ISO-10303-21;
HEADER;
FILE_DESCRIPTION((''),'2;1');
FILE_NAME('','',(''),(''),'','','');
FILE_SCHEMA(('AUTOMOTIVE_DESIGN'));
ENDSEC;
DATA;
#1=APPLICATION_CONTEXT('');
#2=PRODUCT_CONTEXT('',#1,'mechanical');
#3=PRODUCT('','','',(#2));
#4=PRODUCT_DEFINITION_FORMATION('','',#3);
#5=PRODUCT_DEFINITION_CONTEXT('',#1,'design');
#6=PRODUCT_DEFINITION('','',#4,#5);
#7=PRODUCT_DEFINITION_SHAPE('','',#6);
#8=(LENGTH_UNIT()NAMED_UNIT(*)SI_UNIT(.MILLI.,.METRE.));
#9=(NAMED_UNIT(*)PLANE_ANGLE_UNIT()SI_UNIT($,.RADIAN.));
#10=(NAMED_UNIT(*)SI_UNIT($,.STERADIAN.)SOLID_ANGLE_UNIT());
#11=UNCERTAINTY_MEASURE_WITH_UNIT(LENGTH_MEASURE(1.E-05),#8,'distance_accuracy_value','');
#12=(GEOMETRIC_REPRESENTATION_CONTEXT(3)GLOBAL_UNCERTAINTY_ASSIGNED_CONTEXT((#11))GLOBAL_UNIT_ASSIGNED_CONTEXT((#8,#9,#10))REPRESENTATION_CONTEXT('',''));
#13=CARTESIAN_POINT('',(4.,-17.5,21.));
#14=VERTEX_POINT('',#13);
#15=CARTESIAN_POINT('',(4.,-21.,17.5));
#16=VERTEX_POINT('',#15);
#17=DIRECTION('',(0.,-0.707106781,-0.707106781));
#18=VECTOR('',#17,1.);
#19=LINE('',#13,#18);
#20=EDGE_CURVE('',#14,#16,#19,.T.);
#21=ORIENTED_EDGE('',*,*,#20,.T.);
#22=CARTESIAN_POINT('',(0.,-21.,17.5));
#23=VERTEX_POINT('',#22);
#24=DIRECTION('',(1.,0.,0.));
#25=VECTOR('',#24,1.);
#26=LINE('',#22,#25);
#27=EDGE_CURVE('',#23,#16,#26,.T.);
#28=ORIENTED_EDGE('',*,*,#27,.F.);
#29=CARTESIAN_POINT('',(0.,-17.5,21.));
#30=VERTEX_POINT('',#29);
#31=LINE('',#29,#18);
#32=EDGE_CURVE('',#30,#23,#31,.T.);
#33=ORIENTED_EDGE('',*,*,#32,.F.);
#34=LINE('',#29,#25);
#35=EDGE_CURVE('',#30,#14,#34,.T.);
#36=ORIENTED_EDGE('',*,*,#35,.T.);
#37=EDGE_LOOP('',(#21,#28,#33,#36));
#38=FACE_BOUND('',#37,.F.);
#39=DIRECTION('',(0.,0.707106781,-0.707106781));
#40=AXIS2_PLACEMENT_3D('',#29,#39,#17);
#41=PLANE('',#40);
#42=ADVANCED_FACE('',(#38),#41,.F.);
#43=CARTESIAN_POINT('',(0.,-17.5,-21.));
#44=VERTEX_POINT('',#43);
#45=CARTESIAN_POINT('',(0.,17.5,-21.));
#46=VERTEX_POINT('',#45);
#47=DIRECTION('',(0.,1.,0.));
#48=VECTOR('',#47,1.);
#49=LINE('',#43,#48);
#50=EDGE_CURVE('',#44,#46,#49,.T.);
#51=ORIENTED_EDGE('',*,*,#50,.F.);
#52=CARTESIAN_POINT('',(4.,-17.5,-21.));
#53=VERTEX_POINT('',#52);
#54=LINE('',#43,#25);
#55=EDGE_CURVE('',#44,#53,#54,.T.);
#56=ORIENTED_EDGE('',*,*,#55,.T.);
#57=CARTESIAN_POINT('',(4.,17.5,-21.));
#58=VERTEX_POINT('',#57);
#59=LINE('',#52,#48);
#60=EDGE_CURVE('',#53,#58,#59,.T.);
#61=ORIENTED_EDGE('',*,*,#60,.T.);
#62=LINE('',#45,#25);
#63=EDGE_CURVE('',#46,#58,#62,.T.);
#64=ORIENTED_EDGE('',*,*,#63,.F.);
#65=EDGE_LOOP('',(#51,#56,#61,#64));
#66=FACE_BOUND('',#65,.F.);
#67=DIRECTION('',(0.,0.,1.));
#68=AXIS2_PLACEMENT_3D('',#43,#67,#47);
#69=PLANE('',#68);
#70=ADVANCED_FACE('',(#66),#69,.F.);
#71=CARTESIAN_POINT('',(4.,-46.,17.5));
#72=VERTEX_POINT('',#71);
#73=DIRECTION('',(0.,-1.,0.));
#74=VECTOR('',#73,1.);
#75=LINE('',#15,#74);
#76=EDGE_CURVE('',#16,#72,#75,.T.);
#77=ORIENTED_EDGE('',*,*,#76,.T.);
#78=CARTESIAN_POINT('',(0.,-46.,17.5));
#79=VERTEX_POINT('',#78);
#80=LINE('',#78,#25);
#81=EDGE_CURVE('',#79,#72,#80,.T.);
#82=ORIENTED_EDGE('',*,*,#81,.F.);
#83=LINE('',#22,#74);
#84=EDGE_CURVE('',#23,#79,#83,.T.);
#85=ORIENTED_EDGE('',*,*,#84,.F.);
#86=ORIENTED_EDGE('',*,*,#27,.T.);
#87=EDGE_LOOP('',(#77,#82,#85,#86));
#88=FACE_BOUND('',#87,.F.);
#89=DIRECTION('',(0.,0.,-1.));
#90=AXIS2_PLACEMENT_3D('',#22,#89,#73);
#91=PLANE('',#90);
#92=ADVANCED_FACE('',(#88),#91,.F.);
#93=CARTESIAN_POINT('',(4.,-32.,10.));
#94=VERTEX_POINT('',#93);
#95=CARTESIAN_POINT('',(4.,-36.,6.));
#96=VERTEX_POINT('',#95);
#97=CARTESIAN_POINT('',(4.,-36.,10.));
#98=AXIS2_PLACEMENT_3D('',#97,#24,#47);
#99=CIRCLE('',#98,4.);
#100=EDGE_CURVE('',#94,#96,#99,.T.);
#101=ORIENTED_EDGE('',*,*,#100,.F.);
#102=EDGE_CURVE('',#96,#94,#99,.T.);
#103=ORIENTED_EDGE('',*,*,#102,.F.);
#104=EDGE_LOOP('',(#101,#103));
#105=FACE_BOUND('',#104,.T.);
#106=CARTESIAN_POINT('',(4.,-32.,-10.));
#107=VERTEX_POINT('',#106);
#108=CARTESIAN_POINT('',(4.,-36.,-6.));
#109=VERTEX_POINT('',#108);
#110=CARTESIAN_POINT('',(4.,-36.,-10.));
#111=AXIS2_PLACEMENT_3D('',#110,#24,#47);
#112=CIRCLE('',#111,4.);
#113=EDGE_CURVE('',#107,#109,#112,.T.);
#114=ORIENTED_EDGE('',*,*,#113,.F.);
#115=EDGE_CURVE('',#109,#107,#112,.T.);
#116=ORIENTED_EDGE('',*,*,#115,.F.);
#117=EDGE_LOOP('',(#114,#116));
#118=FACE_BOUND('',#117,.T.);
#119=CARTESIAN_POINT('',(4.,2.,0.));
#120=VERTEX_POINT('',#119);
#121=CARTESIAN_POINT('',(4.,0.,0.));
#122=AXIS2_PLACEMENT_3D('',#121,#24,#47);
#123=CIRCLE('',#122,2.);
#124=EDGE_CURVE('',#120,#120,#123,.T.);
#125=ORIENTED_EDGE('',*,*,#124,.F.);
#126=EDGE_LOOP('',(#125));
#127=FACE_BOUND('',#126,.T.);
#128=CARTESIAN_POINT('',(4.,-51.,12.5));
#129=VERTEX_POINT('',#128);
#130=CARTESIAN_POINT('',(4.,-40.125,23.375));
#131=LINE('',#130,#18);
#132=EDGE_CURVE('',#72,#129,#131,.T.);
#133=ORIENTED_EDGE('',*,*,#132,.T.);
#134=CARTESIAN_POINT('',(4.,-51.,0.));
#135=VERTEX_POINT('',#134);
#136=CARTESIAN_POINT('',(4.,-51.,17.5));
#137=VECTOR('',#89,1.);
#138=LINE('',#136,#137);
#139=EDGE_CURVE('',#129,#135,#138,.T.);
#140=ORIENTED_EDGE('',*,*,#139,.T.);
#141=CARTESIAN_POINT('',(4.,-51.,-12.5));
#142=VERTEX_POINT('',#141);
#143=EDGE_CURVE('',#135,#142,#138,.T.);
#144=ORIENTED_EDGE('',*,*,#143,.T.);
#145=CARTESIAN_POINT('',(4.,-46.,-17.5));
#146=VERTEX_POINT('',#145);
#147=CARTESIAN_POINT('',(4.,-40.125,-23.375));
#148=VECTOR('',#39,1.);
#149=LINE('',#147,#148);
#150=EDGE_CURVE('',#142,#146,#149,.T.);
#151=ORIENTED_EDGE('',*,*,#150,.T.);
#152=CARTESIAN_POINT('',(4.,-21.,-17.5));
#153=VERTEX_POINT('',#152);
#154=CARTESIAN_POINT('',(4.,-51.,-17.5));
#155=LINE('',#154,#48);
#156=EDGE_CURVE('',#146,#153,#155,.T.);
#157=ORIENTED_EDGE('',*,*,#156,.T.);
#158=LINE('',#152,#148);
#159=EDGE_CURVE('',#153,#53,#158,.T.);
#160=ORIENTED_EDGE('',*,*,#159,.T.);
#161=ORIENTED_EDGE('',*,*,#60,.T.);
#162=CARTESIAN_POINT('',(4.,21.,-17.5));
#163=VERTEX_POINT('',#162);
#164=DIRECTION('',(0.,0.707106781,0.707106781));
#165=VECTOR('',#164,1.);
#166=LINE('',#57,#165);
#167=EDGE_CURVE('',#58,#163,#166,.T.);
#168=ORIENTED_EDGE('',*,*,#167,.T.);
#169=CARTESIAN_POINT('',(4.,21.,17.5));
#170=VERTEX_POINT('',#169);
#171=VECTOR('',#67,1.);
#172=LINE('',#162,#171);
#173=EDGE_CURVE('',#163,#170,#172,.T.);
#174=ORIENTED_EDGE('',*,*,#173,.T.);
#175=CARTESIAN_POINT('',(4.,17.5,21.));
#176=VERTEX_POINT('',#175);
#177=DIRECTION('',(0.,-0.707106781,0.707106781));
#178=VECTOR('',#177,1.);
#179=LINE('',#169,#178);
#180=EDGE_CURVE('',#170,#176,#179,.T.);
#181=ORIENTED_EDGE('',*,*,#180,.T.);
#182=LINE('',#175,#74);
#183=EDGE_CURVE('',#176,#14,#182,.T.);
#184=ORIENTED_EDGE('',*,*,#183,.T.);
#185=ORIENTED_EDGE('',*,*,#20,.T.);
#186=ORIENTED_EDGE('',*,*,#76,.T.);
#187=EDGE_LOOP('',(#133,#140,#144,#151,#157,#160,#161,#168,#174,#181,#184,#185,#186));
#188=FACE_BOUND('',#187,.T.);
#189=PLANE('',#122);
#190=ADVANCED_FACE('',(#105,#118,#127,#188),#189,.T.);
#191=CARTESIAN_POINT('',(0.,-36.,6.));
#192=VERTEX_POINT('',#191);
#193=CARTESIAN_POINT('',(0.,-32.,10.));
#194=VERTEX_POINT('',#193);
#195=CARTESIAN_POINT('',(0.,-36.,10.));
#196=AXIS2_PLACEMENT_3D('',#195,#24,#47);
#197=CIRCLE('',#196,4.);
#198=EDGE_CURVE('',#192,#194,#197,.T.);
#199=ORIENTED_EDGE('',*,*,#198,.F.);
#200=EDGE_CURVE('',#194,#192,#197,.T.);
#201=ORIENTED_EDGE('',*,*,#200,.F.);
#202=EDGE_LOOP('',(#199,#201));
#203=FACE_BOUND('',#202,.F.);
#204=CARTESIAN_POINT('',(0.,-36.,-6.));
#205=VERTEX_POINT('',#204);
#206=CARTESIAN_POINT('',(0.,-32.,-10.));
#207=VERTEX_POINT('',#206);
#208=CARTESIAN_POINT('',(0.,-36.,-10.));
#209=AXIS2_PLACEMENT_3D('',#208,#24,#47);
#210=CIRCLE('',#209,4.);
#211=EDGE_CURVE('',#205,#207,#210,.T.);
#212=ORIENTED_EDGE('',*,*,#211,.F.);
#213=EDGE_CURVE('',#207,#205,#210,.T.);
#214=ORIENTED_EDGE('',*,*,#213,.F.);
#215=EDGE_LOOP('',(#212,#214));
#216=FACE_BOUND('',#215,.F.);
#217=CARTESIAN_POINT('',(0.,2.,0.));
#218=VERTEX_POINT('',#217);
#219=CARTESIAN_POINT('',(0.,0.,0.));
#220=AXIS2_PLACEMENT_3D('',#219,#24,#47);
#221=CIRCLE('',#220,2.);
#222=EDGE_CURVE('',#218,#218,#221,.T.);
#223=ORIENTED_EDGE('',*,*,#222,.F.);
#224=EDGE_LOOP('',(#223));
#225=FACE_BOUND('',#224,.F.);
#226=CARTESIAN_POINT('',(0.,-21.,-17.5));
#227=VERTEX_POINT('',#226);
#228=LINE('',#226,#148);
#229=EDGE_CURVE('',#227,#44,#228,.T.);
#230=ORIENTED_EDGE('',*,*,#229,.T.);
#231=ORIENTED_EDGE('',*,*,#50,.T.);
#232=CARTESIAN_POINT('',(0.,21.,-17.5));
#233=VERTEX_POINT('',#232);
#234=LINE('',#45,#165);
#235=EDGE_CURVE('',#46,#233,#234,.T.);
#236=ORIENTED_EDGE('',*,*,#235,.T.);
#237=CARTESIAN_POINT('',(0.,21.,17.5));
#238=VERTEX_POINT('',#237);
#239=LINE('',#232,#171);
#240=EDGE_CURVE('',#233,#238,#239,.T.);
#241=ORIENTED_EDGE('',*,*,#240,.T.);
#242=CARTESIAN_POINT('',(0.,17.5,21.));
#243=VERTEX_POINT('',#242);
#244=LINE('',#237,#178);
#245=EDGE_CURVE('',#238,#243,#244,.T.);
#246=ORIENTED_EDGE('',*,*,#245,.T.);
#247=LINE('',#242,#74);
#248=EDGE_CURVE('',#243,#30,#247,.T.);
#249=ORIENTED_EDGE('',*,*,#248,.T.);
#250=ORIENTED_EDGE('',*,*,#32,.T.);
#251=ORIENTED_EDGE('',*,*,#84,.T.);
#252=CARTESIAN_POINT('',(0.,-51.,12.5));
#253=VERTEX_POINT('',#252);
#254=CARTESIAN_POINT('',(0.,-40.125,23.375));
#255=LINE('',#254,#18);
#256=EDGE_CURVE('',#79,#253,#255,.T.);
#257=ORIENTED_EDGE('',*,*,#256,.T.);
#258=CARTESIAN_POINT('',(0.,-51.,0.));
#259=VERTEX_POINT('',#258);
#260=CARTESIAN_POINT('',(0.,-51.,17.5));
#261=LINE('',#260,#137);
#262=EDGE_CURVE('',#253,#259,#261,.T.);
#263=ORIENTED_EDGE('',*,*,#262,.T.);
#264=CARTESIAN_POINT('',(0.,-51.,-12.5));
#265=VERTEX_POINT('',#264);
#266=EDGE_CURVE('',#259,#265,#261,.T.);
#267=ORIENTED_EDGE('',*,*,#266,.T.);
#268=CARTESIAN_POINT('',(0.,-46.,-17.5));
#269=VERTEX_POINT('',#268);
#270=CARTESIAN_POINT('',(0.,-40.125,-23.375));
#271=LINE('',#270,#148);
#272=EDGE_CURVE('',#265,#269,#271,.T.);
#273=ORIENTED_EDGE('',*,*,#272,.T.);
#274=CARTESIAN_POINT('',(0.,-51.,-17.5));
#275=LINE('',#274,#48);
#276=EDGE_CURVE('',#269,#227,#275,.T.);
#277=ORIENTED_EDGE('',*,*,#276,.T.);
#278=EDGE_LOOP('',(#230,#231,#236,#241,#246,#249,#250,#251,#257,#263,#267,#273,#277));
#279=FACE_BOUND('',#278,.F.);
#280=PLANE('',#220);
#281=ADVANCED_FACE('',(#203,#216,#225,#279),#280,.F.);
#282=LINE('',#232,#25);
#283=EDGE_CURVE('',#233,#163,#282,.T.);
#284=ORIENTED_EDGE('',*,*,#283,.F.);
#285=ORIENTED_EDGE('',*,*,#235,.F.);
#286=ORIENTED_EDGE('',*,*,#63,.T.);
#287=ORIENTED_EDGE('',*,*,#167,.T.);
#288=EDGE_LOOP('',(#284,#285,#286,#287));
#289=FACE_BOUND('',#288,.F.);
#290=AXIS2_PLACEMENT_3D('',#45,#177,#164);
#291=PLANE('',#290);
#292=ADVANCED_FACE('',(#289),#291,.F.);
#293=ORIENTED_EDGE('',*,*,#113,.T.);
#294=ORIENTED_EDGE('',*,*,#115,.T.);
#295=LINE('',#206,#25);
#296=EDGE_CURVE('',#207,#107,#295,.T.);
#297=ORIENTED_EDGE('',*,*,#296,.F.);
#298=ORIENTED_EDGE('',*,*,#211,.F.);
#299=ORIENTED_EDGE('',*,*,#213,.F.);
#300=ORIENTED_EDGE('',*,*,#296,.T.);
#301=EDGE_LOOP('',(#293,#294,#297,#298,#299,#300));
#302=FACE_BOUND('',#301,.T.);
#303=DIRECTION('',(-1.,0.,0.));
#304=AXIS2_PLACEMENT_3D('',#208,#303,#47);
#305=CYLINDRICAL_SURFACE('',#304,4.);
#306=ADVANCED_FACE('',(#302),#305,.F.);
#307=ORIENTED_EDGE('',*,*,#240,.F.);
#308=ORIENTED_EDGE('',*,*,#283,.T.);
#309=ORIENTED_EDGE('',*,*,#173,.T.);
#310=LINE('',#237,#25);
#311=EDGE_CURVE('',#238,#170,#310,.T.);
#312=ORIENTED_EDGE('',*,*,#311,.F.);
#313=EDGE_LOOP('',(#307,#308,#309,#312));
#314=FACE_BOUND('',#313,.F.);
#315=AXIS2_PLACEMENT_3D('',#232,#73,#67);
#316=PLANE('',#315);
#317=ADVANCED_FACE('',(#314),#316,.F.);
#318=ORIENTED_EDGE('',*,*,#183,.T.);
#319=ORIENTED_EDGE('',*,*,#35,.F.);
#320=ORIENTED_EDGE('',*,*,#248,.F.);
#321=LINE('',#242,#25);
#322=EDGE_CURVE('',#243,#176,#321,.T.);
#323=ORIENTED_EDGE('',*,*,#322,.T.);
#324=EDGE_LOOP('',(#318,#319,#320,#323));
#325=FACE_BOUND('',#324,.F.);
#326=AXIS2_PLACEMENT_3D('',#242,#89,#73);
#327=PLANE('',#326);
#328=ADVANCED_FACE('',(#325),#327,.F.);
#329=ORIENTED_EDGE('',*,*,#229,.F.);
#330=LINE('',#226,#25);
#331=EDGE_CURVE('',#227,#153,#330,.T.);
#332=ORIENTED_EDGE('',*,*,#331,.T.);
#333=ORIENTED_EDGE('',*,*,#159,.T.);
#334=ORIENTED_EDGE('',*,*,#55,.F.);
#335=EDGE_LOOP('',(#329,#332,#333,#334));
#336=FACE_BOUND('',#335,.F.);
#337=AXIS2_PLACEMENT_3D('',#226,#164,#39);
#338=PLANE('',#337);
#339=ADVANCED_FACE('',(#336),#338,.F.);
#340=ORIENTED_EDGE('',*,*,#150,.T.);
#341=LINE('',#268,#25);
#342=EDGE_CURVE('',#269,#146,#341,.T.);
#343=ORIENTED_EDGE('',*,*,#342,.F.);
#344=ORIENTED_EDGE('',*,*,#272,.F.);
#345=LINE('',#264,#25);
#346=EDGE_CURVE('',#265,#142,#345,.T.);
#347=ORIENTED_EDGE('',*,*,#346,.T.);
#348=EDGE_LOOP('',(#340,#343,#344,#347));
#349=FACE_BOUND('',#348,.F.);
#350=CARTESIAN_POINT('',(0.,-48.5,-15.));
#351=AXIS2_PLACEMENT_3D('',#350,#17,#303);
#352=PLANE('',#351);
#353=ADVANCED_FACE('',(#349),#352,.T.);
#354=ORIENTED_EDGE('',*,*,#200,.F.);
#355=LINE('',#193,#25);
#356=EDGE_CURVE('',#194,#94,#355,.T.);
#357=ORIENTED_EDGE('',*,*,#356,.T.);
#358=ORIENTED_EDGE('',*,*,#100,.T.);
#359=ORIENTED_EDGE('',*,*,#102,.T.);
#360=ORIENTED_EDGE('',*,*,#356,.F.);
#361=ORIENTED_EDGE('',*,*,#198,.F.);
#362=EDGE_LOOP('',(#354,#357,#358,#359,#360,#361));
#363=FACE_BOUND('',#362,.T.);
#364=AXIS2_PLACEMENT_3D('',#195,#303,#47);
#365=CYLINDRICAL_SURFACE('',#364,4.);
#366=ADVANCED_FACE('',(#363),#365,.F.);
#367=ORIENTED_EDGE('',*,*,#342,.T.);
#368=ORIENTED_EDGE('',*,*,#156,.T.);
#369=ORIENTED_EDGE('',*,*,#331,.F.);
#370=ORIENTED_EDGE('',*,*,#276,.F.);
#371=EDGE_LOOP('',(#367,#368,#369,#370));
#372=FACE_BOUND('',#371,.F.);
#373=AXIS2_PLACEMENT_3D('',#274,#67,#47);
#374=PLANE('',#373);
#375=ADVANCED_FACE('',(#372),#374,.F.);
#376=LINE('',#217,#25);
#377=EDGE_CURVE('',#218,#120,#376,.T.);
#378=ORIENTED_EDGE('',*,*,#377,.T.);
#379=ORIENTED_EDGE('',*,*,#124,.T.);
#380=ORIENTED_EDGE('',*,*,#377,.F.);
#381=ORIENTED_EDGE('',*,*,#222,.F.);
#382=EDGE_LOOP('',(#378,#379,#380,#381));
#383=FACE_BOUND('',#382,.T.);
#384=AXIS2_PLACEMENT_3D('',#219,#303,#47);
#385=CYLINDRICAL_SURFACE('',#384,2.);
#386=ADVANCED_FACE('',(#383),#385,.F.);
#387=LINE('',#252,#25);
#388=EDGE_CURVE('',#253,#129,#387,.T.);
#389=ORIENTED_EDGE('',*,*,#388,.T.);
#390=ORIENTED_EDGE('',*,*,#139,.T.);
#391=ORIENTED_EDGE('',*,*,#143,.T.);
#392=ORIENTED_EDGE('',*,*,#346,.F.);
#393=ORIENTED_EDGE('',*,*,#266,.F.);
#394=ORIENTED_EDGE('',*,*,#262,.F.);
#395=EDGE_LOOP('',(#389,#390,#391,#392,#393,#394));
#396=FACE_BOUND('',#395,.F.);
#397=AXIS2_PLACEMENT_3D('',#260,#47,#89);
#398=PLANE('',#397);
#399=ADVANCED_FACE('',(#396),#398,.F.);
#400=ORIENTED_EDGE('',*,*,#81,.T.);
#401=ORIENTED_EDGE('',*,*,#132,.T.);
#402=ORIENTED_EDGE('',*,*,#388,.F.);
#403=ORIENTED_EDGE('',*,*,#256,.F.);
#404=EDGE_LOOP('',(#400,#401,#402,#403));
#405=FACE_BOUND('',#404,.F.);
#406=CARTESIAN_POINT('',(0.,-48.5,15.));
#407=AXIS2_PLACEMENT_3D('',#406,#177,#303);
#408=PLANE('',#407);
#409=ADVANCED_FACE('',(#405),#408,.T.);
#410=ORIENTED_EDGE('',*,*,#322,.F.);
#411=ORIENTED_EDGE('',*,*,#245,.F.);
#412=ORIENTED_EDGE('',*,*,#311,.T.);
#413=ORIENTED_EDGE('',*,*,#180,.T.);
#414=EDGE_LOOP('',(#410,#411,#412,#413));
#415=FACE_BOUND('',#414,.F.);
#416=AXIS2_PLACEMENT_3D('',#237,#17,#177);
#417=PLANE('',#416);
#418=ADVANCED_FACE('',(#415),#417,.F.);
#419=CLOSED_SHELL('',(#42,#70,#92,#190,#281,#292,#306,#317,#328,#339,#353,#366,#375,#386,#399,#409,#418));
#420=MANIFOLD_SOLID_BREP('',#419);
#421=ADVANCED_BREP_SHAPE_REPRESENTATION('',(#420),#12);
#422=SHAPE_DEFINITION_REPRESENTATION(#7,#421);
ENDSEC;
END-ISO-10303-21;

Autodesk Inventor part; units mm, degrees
ref_plane "YZ Plane" through (0, 0, 0) normal (1, 0, 0) x (0, 1, 0)
ref_plane "XZ Plane" through (0, 0, 0) normal (0, 1, 0) x (-1, 0, 0)
ref_plane "XY Plane" through (0, 0, 0) normal (0, 0, 1) x (1, 0, 0)
sketch "Эскиз1" plane through (0, 0, 0) normal (1, 0, 0) x (0, 1, 0)
  line L0 (-17.5, 21) -> (-21, 17.5)
  line L1 (-21, 17.5) -> (-21, -17.5)
  line L2 (-21, -17.5) -> (-17.5, -21)
  line L3 (-17.5, -21) -> (17.5, -21)
  line L4 (17.5, -21) -> (21, -17.5)
  line L5 (21, -17.5) -> (21, 17.5)
  line L6 (21, 17.5) -> (17.5, 21)
  line L7 (17.5, 21) -> (-17.5, 21)
  circle A0 centre (0, 0) radius 11.3
  line L8 (-21, 17.5) -> (-51, 17.5)
  line L9 (-51, 17.5) -> (-51, -17.5)
  line L10 (-51, -17.5) -> (-21, -17.5)
  line L11 (-21, -17.5) -> (-21, 17.5)
  line L12 (-51, 0) -> (-36, 0)
  line L13 (-36, 0) -> (-36, 10)
  line L14 (-36, 10) -> (-36, -10)
  circle A1 centre (-36, 10) radius 4
  circle A2 centre (-36, -10) radius 4
  circle A3 centre (0, 0) radius 2
  dimension "d0" = 30
  dimension "d1" = 15
  dimension "d2" = 10
  dimension "d3" = 20
  dimension "d4" = 8
  dimension "d5" = 8
  dimension "d6" = 4
extrude "Выдавливание1" add sketch "Эскиз1" along normal blind 4 contours L7 L6 L5 L4 L3 L2 L1 L0 | L1 L10 L9 L8 | A0
chamfer "Фаска1" distance 5 angle 45 2 edges at (2, -51, 17.5) (2, -51, -17.5)
properties part number "КВ33.044.002 - Держатель катка" material "Пластик АБС"
